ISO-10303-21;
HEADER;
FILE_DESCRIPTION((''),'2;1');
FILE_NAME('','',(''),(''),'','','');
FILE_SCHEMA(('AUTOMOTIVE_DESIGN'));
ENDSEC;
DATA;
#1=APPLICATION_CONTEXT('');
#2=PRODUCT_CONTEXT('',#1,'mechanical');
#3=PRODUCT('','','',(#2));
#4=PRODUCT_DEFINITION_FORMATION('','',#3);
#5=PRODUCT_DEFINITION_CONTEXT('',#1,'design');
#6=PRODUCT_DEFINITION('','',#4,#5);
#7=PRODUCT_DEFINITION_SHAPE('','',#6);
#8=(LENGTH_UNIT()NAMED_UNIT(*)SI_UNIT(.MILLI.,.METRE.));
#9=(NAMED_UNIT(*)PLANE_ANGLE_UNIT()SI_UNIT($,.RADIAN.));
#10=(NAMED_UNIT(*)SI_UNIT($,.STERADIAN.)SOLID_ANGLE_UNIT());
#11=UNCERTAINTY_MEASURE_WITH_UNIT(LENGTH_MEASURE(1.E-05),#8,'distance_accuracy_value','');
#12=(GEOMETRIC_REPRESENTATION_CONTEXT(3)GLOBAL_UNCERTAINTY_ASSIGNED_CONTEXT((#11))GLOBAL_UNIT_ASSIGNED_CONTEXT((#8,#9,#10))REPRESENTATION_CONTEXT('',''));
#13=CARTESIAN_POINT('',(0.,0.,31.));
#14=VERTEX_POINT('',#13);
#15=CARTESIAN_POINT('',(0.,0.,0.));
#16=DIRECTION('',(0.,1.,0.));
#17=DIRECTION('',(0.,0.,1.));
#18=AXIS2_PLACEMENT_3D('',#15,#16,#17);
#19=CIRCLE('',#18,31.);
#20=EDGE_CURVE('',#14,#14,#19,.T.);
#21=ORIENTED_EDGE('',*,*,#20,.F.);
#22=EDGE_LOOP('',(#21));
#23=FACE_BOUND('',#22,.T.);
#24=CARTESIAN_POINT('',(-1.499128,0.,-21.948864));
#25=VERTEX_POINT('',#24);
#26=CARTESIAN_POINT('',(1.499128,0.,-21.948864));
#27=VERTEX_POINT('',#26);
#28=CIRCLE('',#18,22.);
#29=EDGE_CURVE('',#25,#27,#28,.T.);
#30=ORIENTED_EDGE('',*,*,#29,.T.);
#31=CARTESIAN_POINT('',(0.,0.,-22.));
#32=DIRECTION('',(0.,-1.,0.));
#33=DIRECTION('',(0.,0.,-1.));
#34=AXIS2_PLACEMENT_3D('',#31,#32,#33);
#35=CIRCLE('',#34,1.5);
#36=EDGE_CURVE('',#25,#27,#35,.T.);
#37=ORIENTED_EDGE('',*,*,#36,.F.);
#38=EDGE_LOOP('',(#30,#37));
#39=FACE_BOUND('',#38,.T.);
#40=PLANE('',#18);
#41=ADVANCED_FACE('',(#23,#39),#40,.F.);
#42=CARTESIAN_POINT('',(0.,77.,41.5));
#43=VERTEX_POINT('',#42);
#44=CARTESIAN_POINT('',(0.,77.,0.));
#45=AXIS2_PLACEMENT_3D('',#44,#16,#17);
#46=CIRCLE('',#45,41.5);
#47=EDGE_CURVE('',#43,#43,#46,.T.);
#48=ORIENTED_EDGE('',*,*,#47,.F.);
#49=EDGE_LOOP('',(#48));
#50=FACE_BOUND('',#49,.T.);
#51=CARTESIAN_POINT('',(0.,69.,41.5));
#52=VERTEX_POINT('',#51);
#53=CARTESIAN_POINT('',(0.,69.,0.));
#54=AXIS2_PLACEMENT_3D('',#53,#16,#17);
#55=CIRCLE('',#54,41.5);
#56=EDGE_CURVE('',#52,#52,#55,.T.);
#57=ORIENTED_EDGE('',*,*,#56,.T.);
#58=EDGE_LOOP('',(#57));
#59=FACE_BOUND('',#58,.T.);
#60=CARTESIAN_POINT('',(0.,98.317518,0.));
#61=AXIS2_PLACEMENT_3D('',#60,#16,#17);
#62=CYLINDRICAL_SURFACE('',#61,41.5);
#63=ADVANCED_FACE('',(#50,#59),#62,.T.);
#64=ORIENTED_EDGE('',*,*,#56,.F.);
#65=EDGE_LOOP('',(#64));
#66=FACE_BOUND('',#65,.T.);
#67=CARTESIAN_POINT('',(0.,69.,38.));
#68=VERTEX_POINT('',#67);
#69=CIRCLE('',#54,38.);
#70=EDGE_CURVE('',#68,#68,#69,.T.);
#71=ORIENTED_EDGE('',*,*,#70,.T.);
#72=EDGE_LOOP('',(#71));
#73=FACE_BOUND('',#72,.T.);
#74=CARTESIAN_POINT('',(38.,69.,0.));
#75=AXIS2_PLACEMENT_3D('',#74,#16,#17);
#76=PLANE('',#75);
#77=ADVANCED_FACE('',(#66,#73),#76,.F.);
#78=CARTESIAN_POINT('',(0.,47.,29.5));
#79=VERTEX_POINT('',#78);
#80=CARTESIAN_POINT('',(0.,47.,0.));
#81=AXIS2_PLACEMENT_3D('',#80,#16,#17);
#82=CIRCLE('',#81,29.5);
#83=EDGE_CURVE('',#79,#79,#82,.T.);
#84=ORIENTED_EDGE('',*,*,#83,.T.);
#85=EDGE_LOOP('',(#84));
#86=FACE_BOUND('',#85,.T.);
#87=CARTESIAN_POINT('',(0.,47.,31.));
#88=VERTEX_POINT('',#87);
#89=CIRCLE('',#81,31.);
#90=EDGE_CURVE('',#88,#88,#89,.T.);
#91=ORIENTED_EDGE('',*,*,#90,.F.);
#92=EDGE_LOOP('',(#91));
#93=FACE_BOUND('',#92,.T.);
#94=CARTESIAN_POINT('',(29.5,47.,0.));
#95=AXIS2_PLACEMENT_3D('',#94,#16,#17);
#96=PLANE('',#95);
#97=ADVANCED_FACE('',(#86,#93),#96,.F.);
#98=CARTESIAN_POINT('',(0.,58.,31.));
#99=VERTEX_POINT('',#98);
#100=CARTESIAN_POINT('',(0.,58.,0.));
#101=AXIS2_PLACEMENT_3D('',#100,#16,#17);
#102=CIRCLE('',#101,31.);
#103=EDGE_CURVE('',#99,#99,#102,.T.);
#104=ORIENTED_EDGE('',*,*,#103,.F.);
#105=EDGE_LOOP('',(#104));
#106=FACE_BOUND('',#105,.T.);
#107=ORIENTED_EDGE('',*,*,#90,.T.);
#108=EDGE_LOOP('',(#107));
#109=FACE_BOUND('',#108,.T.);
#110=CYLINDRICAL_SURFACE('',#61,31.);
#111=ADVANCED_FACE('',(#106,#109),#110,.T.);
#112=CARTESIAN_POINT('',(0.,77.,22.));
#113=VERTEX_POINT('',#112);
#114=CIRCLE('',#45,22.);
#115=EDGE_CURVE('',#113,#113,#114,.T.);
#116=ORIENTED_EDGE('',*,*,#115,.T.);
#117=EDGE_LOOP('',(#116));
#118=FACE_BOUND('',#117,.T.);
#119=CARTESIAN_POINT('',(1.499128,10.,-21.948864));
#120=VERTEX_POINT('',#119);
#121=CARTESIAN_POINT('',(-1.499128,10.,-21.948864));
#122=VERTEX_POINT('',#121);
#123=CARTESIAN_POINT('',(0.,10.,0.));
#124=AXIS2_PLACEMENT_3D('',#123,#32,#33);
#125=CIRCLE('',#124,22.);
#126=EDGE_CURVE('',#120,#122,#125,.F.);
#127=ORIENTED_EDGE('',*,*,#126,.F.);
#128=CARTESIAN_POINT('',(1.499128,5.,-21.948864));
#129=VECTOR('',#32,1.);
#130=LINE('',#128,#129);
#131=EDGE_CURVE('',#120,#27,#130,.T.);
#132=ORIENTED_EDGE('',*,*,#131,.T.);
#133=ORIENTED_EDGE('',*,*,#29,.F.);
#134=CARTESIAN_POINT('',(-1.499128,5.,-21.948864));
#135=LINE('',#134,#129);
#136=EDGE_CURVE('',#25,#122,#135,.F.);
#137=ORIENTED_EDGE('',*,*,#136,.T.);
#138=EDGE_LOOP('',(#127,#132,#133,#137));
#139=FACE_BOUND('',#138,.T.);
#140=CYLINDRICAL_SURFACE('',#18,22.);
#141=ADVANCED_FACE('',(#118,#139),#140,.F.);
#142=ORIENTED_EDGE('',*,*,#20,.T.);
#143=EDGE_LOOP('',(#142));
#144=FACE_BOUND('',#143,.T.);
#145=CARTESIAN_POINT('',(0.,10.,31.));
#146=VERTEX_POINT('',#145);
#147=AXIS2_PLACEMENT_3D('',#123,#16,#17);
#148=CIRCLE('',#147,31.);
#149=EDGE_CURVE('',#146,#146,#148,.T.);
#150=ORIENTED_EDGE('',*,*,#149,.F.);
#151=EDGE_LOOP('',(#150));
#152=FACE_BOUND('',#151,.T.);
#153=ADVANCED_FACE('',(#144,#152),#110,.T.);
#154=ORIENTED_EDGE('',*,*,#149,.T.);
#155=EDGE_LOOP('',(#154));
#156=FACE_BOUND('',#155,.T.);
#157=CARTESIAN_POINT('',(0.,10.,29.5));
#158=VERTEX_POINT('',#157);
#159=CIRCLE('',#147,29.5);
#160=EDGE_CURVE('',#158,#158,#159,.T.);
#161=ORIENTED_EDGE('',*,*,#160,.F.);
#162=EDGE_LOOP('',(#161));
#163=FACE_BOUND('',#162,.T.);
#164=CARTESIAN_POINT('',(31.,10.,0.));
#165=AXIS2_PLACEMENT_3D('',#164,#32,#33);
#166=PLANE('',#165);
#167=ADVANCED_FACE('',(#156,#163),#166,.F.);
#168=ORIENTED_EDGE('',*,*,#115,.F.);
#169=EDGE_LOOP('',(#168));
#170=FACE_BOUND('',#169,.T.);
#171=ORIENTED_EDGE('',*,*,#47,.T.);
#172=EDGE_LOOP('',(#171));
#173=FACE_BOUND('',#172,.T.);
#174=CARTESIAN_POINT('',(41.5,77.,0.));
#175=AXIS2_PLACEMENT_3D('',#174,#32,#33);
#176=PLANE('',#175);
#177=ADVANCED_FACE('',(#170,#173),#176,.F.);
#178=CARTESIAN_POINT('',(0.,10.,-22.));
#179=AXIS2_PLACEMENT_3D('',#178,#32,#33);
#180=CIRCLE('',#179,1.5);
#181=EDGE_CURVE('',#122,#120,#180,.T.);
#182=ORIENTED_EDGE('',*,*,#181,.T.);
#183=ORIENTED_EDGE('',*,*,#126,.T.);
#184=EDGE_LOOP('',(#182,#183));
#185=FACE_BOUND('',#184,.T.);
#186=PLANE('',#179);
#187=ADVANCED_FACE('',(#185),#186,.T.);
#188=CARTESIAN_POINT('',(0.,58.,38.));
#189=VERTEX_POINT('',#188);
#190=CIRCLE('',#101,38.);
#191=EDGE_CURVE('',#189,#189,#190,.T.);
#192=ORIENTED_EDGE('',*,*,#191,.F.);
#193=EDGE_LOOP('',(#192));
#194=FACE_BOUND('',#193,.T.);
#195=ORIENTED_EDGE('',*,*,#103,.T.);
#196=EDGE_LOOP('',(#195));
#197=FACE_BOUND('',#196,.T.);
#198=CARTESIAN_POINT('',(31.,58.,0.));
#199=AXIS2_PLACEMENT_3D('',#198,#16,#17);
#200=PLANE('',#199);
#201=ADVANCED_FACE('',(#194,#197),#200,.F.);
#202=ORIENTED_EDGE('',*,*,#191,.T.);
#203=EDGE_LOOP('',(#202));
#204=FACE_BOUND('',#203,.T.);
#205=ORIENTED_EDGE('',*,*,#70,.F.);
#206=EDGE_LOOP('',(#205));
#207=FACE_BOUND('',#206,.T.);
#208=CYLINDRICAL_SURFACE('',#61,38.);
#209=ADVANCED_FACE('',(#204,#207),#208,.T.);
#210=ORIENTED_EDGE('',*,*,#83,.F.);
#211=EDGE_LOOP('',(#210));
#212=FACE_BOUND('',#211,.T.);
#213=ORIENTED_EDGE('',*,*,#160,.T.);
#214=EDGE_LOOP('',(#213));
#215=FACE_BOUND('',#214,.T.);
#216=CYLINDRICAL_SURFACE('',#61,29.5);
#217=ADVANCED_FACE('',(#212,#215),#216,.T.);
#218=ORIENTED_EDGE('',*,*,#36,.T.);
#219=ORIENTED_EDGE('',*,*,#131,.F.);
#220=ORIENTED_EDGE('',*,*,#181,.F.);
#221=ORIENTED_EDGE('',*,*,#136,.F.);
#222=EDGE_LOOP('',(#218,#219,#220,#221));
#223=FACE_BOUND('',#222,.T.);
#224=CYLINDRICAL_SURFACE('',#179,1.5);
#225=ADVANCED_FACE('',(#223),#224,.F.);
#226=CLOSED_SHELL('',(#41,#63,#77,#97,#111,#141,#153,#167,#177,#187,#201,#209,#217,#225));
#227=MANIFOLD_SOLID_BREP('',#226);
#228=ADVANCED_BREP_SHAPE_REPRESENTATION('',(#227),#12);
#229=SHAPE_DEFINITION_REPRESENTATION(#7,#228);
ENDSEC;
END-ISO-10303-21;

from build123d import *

# Parameters (mm, degrees)
SKETCH4_R          = 22
CUT_EXTRUDE1_DEPTH = 78
SKETCH5_R          = 1.5
CUT_EXTRUDE2_DEPTH = 10


with BuildPart() as part:
    # Sketch3 → Revolve1 (revolve)
    with BuildSketch(Plane.XY, mode=Mode.PRIVATE) as revolve1_sk:
        Polygon((0, 0), (31, 0), (31, 10), (29.5, 10), (29.5, 47), (31, 47), (31, 58), (38, 58), (38, 69), (41.5, 69), (41.5, 77), (0, 77), align=None)
    revolve(revolve1_sk.sketch.rotate(Axis((0, 98.317518248, 0), (0, -1, 0)), 90), axis=Axis((0, 98.317518248, 0), (0, -1, 0)))  # turned: the seam where the file's is

    # Sketch4 → Cut-Extrude1 (cut, through all)
    with BuildSketch(Plane(origin=(0, 77, 0), x_dir=(1, 0, 0), z_dir=(0, 1, 0))):
        with Locations(Location((0, 0, 0), (0, 0, 270))):  # turned: the seam where the file's is
            Circle(SKETCH4_R)
    extrude(amount=-CUT_EXTRUDE1_DEPTH, mode=Mode.SUBTRACT)

    # Sketch5 → Cut-Extrude2 (cut)
    with BuildSketch(Plane(origin=(0, 0, 0), x_dir=(-1, 0, 0), z_dir=(0, -1, 0))):
        with Locations((0, 22)):
            Circle(SKETCH5_R)
    extrude(amount=-CUT_EXTRUDE2_DEPTH, mode=Mode.SUBTRACT)


solid = part.part
